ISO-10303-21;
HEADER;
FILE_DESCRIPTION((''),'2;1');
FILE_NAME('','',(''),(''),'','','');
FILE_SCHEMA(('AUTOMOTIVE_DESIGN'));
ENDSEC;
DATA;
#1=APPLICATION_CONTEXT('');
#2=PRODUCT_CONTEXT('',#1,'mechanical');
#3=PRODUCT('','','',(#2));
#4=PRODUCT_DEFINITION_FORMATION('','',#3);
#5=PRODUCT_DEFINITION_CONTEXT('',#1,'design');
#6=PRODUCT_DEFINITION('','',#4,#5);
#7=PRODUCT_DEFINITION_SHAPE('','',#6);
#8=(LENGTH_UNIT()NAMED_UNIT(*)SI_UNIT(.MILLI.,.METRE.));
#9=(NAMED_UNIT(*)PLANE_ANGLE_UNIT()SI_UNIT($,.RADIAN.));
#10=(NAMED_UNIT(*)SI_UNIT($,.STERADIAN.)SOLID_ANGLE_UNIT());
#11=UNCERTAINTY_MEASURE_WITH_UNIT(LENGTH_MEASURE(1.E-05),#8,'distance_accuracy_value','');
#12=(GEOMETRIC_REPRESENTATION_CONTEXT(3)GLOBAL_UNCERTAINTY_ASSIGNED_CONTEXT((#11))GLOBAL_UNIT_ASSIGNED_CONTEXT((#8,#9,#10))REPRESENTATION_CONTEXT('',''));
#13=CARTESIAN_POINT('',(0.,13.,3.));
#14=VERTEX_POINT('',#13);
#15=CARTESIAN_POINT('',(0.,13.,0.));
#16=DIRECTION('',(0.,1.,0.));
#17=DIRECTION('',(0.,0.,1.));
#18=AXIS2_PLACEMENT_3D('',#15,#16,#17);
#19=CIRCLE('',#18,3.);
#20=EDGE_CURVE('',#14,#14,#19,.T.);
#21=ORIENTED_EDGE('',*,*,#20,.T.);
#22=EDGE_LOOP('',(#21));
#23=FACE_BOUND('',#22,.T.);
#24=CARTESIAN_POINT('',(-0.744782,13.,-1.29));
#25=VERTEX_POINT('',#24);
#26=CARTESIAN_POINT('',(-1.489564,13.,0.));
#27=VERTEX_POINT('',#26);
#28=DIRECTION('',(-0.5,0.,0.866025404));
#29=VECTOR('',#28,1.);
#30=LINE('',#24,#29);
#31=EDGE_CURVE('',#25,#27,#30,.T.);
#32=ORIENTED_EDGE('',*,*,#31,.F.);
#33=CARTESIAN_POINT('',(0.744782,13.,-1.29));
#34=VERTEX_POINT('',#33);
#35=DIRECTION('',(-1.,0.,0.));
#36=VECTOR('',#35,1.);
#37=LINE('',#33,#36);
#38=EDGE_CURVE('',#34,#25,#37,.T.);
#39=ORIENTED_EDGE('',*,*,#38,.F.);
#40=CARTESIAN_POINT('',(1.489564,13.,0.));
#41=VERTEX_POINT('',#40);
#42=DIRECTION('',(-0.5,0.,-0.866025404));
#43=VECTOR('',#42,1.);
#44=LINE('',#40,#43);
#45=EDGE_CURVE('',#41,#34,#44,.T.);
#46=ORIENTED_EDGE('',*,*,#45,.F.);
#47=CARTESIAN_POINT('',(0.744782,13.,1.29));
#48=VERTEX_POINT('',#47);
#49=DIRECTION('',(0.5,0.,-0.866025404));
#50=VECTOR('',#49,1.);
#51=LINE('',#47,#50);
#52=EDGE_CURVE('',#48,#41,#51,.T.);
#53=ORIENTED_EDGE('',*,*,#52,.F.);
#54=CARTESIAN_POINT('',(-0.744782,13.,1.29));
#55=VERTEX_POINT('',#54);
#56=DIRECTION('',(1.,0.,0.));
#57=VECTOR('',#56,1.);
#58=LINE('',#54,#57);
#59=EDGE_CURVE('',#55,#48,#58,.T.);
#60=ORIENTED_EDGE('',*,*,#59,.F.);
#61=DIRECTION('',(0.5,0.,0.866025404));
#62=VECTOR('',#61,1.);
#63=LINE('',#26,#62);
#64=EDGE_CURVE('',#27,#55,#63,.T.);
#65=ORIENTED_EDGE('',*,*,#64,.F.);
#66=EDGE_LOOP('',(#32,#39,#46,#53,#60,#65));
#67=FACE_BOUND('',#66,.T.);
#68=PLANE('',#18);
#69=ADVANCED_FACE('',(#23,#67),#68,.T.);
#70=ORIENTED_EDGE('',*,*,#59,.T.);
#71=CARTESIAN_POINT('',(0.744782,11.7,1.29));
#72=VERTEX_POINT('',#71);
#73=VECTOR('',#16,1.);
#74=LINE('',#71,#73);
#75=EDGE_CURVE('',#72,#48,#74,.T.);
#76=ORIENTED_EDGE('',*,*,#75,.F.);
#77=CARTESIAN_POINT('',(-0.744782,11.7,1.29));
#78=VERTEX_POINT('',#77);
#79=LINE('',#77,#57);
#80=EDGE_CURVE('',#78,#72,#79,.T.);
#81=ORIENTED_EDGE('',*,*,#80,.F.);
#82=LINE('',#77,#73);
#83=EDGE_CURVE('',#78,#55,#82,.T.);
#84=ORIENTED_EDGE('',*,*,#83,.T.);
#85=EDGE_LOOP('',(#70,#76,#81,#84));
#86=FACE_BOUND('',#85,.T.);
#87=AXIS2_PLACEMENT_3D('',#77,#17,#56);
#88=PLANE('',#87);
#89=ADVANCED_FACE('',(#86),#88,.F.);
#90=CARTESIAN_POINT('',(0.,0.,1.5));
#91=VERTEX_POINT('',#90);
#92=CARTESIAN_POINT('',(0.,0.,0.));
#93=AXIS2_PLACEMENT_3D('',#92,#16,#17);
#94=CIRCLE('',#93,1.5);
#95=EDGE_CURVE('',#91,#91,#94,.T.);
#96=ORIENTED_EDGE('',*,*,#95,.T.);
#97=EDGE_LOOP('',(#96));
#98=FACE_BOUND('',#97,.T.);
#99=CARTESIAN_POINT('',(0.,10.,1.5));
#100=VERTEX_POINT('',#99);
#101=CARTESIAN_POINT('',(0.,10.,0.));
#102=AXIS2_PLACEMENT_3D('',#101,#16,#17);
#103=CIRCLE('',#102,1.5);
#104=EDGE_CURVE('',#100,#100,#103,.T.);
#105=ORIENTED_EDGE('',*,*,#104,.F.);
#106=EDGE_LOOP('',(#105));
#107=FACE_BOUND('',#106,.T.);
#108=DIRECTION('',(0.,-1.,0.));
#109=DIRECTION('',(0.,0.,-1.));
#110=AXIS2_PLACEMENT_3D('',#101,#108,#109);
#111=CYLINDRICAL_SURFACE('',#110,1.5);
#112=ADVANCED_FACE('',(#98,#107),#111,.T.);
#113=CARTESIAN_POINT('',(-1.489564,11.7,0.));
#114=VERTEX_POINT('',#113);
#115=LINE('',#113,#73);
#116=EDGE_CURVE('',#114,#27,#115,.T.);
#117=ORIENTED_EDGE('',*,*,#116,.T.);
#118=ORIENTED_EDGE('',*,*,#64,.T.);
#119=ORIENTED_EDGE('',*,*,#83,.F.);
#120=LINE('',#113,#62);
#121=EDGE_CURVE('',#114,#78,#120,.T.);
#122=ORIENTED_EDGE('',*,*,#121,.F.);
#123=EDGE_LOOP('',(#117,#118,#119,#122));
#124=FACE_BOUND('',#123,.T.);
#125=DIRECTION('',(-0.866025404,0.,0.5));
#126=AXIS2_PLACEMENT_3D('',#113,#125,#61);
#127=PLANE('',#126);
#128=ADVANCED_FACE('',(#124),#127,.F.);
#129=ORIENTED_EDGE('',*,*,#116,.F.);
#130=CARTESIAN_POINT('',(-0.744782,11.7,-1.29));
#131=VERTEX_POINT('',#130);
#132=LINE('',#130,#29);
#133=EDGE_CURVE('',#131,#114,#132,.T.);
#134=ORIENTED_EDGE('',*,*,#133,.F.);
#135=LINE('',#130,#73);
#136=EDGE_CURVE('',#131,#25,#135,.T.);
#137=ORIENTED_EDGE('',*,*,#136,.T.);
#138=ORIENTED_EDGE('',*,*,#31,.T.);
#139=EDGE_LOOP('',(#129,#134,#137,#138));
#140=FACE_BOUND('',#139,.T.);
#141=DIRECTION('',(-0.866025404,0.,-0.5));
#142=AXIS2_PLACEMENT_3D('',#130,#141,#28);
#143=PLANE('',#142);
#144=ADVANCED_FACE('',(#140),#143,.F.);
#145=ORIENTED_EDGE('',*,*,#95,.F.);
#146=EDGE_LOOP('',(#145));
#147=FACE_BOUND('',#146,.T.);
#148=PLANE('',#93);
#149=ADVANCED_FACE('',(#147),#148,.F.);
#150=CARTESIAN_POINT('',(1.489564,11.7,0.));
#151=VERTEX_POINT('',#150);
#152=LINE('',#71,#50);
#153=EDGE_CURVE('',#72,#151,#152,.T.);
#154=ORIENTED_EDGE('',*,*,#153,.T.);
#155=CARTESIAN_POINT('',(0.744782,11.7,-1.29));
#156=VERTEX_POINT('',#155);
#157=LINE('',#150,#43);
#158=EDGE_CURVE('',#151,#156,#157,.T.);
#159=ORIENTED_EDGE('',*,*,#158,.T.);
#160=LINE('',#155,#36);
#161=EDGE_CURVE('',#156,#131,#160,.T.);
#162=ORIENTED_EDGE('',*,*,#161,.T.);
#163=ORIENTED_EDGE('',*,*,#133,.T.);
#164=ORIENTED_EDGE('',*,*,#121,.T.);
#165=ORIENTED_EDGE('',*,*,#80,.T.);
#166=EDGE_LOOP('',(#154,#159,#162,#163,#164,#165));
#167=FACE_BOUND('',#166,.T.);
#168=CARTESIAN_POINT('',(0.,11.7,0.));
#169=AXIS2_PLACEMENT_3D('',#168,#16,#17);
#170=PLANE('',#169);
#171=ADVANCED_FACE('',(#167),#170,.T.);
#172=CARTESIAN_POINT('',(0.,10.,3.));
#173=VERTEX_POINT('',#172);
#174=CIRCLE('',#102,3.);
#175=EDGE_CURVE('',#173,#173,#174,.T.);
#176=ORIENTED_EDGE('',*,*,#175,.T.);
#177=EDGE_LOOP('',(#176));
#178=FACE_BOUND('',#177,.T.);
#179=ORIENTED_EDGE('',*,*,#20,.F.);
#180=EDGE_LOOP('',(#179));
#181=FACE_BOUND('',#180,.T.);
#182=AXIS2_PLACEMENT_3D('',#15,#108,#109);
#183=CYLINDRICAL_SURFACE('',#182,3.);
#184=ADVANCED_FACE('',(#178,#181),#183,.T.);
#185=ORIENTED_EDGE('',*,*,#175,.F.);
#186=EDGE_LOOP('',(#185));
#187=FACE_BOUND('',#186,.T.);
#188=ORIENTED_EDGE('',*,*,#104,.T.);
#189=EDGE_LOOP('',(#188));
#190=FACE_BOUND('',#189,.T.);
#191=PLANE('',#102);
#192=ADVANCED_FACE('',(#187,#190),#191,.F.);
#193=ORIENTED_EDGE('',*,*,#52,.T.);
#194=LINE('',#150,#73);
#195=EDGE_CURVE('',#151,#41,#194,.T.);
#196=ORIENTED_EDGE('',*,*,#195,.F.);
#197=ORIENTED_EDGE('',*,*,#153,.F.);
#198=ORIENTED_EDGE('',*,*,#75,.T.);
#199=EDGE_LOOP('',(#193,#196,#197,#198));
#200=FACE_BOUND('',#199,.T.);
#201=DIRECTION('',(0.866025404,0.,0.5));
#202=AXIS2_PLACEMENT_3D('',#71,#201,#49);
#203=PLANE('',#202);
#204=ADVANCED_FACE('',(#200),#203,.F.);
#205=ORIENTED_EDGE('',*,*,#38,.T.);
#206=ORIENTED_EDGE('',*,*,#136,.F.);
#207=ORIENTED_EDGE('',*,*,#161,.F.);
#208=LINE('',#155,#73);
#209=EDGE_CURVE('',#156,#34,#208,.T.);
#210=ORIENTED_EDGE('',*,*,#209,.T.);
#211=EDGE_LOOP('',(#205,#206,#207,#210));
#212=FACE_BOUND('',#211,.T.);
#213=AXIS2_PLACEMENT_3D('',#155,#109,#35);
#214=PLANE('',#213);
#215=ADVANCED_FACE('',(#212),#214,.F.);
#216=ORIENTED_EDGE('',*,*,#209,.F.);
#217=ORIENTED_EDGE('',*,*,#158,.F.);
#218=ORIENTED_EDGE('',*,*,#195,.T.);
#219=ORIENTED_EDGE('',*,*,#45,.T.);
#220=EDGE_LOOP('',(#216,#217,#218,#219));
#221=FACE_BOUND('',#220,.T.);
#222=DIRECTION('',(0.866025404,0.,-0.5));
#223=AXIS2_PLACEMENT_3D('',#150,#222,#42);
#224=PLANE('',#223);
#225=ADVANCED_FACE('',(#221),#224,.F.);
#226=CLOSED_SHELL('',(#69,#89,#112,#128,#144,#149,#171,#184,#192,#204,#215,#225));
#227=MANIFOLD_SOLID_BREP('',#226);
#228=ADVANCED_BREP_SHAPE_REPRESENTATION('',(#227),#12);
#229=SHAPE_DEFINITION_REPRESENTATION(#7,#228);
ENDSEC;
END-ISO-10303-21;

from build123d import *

# Parameters (mm, degrees)
SKETCH1_R           = 1.5
SCREWSHAFT_DEPTH    = 10
SKETCH2_R           = 3
BOSS_EXTRUDE2_DEPTH = 3
CUT_EXTRUDE1_DEPTH  = 1.3


with BuildPart() as part:
    # Sketch1 → ScrewShaft (new body)
    with BuildSketch(Plane(origin=(0, 0, 0), x_dir=(1, 0, 0), z_dir=(0, 1, 0))):
        with Locations(Location((0, 0, 0), (0, 0, 270))):
            Circle(SKETCH1_R)
    extrude(amount=SCREWSHAFT_DEPTH)

    # Sketch2 → Boss-Extrude2 (add)
    with BuildSketch(Plane(origin=(0, 10, 0), x_dir=(1, 0, 0), z_dir=(0, 1, 0))):
        with Locations(Location((0, 0, 0), (0, 0, 270))):
            Circle(SKETCH2_R)
    extrude(amount=BOSS_EXTRUDE2_DEPTH)

    # Sketch3 → Cut-Extrude1 (cut)
    with BuildSketch(Plane(origin=(0, 13, 0), x_dir=(1, 0, 0), z_dir=(0, 1, 0))):
        Polygon((1.489563695, 0), (0.744781847, 1.29), (-0.744781847, 1.29), (-1.489563695, 0), (-0.744781847, -1.29), (0.744781847, -1.29), align=None)
    extrude(amount=-CUT_EXTRUDE1_DEPTH, mode=Mode.SUBTRACT)


solid = part.part
